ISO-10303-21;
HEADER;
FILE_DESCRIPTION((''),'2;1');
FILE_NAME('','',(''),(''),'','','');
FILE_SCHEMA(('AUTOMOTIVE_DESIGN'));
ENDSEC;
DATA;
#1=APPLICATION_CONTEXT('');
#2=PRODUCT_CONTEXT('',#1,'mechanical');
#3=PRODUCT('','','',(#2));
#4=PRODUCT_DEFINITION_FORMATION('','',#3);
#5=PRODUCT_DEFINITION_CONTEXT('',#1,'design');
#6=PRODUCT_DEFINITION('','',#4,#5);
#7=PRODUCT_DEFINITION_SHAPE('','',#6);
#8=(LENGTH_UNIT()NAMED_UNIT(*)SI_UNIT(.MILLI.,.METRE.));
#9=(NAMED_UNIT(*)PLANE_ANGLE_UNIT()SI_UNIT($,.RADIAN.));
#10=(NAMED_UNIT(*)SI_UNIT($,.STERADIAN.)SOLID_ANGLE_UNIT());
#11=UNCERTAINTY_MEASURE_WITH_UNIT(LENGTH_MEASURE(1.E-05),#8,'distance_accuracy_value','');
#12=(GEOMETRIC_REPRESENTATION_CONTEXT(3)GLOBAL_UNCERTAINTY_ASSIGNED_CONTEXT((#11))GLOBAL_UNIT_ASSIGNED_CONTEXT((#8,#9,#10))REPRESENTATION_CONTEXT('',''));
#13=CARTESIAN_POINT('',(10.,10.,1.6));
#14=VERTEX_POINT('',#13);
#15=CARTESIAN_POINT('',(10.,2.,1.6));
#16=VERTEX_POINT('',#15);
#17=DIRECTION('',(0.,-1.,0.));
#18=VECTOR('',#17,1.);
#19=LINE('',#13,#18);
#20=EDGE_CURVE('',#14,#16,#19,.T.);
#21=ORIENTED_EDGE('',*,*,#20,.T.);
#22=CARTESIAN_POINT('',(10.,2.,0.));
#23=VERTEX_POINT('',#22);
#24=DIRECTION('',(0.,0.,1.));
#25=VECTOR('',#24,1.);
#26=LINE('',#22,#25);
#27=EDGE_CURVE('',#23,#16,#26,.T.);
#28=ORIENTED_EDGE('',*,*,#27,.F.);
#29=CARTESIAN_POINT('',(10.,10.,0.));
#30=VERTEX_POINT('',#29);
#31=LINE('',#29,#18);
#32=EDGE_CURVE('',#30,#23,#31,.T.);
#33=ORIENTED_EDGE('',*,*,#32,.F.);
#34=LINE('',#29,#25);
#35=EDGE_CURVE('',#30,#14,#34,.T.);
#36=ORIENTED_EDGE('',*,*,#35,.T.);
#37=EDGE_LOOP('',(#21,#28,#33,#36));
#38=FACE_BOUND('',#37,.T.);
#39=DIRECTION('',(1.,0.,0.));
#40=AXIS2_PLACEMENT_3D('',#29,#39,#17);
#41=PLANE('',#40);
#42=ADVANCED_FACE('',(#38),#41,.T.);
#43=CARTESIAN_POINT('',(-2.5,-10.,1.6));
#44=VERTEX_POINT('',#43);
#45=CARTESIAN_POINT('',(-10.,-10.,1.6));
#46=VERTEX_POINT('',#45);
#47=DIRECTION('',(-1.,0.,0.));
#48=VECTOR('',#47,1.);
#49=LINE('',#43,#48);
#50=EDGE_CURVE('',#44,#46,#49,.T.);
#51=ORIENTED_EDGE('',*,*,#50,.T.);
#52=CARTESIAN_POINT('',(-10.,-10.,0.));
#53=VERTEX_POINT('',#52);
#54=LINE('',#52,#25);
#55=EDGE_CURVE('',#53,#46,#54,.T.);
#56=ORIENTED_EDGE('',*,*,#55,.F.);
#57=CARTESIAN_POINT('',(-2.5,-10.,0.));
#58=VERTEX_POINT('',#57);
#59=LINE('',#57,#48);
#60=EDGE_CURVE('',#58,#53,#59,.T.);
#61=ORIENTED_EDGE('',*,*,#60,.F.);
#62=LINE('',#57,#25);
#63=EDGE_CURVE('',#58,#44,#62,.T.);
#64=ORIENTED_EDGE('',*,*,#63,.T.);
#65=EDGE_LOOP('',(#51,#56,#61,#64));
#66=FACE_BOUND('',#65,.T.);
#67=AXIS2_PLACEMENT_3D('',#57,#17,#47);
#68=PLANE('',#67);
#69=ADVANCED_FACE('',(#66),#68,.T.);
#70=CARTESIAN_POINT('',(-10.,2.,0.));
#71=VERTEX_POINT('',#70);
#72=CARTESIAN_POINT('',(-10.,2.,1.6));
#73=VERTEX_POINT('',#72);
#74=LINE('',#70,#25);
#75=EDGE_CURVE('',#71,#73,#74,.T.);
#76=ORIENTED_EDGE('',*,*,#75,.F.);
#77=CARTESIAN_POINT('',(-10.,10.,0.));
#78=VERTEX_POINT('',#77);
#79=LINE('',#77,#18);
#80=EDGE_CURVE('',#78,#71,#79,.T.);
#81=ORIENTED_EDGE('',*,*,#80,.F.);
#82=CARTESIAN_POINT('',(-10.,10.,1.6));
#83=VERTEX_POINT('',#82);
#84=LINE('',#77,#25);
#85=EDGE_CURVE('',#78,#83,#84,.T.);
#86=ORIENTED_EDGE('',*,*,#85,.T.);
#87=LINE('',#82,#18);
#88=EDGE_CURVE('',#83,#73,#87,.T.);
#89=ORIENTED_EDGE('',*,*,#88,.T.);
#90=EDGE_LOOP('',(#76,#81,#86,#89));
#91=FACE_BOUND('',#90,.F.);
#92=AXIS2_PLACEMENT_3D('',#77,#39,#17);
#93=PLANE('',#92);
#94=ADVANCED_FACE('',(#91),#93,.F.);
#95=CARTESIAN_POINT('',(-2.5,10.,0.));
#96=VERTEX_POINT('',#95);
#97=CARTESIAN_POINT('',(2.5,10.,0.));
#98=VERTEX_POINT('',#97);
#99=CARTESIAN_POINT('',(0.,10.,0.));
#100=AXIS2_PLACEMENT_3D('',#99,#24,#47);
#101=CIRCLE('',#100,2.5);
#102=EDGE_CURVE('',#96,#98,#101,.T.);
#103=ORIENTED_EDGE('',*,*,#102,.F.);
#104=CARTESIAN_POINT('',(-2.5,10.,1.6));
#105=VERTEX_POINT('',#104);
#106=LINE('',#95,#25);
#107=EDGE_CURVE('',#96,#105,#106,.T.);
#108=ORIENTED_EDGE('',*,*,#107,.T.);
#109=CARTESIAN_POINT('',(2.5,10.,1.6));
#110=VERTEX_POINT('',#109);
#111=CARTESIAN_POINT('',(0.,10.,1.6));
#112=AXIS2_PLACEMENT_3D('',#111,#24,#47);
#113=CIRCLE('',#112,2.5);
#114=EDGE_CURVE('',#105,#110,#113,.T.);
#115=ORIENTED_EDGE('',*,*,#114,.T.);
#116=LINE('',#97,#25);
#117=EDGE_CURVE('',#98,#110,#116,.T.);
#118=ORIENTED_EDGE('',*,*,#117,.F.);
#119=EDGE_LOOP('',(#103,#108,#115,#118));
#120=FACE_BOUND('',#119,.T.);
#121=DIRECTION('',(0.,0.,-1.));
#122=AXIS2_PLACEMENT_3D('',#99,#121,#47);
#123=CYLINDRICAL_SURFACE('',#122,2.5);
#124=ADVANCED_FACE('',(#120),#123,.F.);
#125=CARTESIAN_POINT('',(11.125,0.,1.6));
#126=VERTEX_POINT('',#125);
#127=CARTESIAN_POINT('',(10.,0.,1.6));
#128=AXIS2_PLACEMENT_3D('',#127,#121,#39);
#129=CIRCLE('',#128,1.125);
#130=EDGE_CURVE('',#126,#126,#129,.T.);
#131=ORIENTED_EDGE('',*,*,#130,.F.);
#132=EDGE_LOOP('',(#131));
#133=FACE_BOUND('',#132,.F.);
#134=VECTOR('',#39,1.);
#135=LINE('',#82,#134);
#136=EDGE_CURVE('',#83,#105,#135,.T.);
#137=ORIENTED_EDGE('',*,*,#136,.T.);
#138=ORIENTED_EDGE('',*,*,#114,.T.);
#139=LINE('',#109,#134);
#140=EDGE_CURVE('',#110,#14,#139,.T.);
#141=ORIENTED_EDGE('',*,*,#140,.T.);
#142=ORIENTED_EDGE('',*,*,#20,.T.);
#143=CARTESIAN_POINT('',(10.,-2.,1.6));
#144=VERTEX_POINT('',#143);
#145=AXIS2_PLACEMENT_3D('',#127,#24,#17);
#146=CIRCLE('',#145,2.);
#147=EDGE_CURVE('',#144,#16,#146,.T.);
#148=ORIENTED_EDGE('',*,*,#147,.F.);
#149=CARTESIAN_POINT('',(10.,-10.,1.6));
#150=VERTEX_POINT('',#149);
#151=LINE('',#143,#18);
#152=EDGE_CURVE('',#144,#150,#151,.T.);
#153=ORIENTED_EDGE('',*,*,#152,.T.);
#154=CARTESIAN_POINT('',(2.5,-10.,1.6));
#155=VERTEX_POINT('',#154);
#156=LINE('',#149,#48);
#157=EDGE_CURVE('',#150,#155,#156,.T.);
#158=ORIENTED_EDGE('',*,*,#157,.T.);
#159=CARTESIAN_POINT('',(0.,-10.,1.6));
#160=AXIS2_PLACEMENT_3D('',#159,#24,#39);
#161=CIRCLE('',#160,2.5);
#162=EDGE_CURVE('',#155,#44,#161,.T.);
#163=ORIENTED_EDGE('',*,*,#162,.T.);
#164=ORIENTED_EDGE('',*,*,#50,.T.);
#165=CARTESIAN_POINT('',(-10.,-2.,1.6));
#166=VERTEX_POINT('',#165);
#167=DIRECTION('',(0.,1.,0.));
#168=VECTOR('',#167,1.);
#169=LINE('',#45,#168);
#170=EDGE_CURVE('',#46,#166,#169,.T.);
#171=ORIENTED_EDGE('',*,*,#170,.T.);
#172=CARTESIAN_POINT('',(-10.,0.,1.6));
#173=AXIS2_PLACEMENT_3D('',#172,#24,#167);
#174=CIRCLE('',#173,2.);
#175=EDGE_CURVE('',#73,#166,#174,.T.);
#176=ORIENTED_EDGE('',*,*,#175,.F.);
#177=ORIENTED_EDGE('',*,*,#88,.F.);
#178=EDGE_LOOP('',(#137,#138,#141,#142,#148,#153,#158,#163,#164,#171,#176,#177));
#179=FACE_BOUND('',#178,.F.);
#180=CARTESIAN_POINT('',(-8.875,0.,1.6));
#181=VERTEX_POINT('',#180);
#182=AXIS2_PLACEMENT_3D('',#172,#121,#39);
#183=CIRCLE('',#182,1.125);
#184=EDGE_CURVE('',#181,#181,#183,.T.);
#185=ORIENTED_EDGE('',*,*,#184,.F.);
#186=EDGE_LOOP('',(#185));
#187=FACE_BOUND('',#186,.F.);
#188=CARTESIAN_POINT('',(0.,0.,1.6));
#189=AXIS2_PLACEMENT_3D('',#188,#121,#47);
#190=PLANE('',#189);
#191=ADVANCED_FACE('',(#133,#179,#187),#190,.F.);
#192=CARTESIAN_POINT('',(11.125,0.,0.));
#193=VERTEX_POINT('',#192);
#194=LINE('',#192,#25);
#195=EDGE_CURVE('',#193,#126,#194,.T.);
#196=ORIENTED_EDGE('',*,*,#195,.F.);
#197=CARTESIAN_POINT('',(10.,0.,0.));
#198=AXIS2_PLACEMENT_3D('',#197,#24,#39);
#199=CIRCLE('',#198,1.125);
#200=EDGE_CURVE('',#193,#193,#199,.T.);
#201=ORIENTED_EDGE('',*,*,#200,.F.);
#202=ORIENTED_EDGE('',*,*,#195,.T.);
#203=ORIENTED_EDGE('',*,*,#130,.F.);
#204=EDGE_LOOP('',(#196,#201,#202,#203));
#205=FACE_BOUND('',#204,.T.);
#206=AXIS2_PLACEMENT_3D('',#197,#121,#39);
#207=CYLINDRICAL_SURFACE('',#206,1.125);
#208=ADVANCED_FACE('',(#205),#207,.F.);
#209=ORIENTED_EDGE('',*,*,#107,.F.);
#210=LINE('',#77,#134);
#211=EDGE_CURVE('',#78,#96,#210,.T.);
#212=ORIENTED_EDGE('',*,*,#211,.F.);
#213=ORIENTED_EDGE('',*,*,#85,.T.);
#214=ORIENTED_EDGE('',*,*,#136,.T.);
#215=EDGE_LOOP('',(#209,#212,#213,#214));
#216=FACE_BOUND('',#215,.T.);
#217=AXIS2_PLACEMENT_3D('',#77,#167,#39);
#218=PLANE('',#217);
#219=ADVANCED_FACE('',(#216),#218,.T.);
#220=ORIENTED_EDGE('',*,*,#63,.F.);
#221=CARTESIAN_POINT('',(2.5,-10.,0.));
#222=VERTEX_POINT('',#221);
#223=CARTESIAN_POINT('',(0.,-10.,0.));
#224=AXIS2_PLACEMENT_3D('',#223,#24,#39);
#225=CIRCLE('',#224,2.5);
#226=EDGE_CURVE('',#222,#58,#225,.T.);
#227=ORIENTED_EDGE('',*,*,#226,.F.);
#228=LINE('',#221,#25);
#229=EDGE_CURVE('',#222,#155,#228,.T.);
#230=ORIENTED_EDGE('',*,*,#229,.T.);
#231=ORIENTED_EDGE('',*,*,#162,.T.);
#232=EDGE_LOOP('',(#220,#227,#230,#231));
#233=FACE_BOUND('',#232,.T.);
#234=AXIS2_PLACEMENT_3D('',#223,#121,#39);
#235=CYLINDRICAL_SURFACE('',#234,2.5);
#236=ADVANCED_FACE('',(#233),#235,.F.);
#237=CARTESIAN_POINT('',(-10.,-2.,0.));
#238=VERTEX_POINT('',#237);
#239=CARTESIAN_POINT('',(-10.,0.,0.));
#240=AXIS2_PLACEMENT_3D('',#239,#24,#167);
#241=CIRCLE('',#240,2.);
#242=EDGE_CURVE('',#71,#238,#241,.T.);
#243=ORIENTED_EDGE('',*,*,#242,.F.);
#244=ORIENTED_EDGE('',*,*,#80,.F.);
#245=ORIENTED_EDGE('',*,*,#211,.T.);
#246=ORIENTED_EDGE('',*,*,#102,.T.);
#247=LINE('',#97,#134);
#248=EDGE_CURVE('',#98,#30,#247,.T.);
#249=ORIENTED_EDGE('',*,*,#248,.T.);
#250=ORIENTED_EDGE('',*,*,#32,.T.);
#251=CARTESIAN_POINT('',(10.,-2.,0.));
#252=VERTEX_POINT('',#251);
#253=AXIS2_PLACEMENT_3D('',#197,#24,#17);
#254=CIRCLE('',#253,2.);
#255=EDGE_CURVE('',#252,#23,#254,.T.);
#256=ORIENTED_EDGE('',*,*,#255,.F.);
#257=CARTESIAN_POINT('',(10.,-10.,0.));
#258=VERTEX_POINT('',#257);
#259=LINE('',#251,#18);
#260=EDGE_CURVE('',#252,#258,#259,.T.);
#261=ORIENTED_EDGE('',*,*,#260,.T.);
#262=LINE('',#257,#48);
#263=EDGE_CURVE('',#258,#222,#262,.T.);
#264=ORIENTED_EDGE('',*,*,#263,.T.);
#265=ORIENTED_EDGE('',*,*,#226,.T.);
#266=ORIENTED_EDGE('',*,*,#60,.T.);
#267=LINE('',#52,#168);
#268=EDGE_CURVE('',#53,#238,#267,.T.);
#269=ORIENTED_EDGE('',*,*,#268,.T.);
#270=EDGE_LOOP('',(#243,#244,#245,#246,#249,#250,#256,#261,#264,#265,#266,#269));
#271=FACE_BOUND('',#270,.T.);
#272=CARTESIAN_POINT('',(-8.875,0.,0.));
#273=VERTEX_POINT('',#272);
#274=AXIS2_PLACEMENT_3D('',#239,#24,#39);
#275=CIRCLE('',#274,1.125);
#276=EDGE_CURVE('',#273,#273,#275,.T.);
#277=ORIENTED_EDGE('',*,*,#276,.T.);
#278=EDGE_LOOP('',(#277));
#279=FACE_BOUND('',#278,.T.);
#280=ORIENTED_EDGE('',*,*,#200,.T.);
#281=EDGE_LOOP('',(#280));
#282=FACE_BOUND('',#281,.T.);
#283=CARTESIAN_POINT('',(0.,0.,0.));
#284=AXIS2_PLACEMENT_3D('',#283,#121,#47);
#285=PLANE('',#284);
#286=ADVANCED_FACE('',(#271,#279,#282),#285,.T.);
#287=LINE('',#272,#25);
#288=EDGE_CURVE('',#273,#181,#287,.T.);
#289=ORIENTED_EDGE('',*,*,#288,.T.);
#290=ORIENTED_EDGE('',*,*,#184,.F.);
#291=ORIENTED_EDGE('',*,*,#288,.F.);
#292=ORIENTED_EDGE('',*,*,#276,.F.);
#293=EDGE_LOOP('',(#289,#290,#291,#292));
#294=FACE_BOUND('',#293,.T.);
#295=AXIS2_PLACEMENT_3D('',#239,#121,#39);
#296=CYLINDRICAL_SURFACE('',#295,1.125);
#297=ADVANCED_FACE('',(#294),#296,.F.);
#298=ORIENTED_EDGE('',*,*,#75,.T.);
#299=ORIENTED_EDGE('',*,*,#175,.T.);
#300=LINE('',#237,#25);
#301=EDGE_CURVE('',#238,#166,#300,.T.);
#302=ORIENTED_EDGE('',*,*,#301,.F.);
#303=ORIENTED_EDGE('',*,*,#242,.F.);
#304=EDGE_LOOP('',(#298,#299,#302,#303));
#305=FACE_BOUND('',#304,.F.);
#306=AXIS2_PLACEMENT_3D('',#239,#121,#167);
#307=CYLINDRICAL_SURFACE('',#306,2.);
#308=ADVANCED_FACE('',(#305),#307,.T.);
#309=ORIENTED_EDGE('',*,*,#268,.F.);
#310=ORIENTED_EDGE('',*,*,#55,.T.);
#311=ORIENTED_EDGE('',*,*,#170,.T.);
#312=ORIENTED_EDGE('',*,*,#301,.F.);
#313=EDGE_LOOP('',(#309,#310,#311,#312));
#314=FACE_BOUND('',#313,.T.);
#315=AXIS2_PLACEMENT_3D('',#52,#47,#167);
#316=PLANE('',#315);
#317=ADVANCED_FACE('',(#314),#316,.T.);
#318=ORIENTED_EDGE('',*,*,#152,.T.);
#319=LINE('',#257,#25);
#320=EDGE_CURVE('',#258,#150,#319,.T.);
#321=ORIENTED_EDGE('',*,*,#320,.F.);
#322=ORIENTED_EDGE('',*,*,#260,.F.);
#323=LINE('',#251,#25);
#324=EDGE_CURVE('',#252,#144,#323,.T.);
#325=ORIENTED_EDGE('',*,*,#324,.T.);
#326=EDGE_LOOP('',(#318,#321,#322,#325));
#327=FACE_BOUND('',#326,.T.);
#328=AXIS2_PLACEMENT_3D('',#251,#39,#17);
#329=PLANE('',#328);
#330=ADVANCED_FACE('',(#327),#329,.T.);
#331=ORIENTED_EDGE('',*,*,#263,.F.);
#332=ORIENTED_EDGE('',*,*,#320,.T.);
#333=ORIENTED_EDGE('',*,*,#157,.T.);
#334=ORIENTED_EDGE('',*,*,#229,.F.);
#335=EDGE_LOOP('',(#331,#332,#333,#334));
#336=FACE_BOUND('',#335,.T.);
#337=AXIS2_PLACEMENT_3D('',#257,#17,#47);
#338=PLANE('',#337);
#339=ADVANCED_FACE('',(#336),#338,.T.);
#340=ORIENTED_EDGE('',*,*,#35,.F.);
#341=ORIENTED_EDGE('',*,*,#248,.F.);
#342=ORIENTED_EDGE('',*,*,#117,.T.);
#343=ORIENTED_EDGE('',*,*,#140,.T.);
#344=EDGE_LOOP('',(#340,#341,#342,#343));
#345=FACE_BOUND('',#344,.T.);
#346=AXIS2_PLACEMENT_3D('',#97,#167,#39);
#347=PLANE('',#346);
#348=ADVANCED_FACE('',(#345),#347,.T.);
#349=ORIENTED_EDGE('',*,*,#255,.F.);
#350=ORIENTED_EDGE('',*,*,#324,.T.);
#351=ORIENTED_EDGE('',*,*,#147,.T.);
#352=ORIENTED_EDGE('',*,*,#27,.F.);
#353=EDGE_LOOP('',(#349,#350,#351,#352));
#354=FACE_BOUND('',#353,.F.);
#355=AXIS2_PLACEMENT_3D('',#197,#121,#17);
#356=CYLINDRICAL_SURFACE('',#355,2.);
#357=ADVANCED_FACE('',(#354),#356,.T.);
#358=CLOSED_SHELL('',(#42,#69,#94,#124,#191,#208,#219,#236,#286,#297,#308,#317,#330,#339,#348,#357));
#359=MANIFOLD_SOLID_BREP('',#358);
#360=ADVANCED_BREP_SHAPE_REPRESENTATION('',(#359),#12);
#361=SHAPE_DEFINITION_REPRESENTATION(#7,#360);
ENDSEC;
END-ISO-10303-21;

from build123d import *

# Parameters (mm, degrees)
PAD_DEPTH    = 1.6
SKETCH001_R  = 1.125
POCKET_DEPTH = 1.601


with BuildPart() as part:
    # Sketch → Pad (new body)
    with BuildSketch(Plane.XY):
        with BuildLine():
            Line((-10, 10), (-2.5, 10))
            ThreePointArc((-2.5, 10), (0, 7.5), (2.5, 10))
            Line((2.5, 10), (10, 10))
            Line((10, 10), (10, 2))
            ThreePointArc((10, -2), (12, 0), (10, 2))
            Line((10, -2), (10, -10))
            Line((10, -10), (2.5, -10))
            ThreePointArc((2.5, -10), (0, -7.5), (-2.5, -10))
            Line((-2.5, -10), (-10, -10))
            Line((-10, -10), (-10, -2))
            ThreePointArc((-10, 2), (-12, 0), (-10, -2))
            Line((-10, 10), (-10, 2))
        make_face()
    extrude(amount=PAD_DEPTH)

    # Sketch001 → Pocket (cut, through all)
    with BuildSketch(Plane.XY):
        with Locations((-10, 0)):
            Circle(SKETCH001_R)
        with Locations((10, 0)):
            Circle(SKETCH001_R)
    extrude(amount=POCKET_DEPTH, mode=Mode.SUBTRACT)


solid = part.part
